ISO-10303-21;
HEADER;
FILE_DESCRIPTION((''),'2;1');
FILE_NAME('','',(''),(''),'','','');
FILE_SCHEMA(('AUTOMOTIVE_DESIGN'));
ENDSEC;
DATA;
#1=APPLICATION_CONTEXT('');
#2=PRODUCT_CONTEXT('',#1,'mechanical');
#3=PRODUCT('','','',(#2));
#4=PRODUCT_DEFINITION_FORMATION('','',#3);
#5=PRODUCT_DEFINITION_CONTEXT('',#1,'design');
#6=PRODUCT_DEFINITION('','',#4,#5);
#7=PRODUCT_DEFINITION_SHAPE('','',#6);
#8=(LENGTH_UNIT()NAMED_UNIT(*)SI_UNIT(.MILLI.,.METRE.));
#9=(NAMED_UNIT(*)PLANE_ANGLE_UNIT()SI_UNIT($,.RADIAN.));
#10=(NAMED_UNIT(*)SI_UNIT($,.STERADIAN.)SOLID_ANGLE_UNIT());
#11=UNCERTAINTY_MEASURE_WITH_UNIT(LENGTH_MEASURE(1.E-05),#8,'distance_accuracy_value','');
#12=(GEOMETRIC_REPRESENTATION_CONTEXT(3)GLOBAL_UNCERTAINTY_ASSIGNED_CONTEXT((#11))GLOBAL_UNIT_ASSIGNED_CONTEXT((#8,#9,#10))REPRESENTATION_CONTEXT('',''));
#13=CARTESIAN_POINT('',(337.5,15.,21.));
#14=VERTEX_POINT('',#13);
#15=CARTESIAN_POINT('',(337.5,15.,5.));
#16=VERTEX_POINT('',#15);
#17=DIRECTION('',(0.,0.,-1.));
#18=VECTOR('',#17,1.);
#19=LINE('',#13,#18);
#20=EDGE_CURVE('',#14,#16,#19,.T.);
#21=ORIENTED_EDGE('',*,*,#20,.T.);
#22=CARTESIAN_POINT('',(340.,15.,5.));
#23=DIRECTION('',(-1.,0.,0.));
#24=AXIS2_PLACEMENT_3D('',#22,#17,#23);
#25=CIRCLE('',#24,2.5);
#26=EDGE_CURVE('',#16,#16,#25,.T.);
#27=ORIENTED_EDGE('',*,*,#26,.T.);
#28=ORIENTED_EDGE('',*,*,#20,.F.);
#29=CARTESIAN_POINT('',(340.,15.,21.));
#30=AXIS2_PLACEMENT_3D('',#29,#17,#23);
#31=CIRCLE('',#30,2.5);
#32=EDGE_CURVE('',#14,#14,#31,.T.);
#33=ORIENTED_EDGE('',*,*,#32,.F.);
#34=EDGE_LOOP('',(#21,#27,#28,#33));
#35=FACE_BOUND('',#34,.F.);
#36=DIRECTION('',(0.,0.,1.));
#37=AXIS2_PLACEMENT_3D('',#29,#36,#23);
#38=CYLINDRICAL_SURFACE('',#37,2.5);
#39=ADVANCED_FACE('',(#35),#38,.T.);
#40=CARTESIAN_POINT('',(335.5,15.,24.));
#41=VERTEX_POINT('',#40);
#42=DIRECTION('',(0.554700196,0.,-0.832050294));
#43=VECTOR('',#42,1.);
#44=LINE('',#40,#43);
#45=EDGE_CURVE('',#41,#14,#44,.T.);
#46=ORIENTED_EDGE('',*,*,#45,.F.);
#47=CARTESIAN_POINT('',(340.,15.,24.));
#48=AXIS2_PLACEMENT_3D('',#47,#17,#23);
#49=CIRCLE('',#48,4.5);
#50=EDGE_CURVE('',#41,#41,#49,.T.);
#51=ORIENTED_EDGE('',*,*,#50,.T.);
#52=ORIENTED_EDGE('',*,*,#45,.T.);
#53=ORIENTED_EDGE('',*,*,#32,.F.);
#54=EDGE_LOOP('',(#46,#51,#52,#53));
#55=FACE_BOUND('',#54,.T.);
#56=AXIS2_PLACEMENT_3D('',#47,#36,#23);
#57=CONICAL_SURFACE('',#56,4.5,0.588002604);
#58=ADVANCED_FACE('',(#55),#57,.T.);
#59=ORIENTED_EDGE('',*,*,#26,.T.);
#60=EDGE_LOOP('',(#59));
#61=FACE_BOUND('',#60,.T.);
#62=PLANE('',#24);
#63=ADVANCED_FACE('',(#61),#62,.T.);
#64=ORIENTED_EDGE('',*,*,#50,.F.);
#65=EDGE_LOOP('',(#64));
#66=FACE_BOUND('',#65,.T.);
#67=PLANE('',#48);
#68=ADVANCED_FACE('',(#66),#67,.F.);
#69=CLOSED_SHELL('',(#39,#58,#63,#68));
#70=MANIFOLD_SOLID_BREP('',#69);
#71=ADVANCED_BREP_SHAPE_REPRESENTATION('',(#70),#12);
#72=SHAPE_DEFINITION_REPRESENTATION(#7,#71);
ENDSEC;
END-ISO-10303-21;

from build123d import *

# Parameters (mm, degrees)
CYLINDER011_R                   = 2.5
CYLINDER011_DEPTH               = 16
FUSION001018017_PLACEMENT_ANGLE = 180


with BuildPart() as cone003:
    # Cone003 → Cone003 (revolve)
    with BuildSketch(Plane(origin=(0, 0, -3), x_dir=(1, 0, 0), z_dir=(0, -1, 0))):
        Polygon((0, 0), (4.5, 0), (2.5, 3), (0, 3), align=None)
    revolve(axis=Axis((0, 0, -3), (0, 0, 1)))


with BuildPart() as m5x16_senkkopf009:
    # Cylinder011 → Cylinder011 (new body)
    with BuildSketch(Plane.XY):
        Circle(CYLINDER011_R)
    extrude(amount=CYLINDER011_DEPTH)

    # Fusion001018017: union Cone003
    add(cone003.part)


with BuildPart() as m5x16_senkkopf009_1:
    # Fusion001018017 placement: moved
    add(m5x16_senkkopf009.part.moved(Location((45, 15, 21))).rotate(Axis((45, 15, 21), (0, 1, 0)), FUSION001018017_PLACEMENT_ANGLE))


with BuildPart() as m5x16_senkkopf009_2:
    # Clone011 placement: moved
    add(m5x16_senkkopf009_1.part.moved(Location((25, 0, 0))))


with BuildPart() as m5x16_senkkopf009_3:
    # Clone025 placement: moved
    add(m5x16_senkkopf009_2.part.moved(Location((270, 0, 0))))


solid = m5x16_senkkopf009_3.part
